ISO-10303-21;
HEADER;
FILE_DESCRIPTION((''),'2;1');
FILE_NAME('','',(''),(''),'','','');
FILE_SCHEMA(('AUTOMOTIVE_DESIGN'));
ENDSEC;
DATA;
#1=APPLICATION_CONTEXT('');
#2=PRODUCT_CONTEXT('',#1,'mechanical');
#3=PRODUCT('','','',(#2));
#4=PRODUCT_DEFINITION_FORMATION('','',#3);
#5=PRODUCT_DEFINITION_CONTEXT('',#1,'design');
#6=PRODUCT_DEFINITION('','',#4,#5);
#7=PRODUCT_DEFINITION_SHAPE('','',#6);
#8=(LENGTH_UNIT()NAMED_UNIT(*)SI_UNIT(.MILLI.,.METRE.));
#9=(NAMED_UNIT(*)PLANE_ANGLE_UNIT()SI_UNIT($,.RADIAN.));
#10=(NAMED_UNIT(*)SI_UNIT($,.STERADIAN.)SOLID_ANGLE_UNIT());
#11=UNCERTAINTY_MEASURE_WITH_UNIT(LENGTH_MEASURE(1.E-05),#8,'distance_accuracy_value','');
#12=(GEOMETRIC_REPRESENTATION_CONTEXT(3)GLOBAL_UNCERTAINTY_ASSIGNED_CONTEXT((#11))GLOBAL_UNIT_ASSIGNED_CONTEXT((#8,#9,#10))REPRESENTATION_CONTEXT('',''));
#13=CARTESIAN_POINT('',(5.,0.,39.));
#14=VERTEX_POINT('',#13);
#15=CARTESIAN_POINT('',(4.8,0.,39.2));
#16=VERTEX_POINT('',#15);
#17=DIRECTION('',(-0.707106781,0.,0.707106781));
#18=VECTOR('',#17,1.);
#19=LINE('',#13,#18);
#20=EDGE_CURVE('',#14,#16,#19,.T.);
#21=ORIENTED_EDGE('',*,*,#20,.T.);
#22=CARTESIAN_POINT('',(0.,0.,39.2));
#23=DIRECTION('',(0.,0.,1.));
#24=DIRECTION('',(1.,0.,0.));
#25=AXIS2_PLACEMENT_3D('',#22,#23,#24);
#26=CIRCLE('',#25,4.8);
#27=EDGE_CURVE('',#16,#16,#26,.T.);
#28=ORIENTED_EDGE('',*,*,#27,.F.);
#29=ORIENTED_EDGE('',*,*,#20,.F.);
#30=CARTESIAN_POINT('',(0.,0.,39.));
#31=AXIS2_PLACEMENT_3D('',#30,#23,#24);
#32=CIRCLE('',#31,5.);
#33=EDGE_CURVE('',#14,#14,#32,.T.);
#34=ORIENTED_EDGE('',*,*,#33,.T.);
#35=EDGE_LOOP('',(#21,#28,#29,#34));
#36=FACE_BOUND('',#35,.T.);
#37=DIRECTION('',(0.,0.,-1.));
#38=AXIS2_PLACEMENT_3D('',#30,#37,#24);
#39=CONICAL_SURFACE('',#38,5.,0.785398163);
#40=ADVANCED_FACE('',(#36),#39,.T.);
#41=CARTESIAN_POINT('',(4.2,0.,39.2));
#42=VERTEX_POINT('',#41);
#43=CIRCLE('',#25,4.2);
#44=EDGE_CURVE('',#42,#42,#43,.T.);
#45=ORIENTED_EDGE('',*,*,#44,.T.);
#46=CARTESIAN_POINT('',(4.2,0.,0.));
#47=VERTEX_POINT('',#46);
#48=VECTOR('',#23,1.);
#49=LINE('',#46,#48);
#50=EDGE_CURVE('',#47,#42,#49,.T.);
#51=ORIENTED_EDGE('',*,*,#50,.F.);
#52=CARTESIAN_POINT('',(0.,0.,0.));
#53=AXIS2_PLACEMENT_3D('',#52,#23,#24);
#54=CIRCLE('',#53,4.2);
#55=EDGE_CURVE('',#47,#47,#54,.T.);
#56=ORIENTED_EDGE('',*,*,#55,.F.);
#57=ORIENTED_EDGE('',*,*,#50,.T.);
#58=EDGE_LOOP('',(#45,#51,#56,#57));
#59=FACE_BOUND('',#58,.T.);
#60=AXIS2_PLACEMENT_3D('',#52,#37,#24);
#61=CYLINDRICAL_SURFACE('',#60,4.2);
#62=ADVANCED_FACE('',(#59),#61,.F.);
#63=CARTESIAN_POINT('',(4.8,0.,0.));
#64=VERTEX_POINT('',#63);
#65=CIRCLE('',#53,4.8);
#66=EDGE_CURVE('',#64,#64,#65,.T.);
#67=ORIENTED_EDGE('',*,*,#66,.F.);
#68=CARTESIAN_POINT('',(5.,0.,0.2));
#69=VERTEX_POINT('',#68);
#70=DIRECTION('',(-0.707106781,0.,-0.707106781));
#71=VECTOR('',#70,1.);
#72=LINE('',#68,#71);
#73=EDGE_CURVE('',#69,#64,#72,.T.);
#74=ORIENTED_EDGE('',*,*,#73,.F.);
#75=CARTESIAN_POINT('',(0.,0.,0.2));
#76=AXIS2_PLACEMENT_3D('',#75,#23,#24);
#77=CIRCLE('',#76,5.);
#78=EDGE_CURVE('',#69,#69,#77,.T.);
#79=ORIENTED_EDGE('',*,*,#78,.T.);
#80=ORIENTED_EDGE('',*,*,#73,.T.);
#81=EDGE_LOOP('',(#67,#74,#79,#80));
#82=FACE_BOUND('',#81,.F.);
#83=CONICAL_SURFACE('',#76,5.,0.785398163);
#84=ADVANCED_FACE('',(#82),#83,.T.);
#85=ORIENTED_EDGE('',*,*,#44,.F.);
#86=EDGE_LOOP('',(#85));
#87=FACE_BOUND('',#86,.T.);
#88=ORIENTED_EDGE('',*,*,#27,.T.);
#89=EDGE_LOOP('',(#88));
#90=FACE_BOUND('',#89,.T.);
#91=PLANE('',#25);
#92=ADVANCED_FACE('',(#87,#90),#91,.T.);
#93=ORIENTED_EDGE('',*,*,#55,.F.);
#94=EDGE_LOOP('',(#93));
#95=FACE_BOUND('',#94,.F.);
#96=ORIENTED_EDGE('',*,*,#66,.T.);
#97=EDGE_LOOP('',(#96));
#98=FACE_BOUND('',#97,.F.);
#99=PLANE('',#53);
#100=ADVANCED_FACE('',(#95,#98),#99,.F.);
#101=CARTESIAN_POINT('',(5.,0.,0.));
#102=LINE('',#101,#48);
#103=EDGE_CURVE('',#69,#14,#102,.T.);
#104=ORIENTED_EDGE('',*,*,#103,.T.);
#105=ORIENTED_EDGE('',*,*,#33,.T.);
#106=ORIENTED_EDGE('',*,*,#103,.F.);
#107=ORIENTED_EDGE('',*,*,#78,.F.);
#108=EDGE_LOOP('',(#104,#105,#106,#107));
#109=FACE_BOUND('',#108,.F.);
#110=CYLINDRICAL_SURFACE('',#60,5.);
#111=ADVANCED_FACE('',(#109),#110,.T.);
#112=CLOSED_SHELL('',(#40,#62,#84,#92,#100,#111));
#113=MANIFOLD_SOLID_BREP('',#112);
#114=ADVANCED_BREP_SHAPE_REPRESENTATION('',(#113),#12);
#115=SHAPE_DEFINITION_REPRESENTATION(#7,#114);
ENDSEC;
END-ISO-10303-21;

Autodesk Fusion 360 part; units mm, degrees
sketch "Esquisse1" plane through (0, 0, 0) normal (0, 0, 1) x (1, 0, 0)
  circle A0 centre (0, 0) radius 5
  circle A1 centre (0, 0) radius 4.2
  dimension "d1" = 10
  dimension "d2" = 8.4
extrude "Extrusion1" add sketch "Esquisse1" along normal blind 39.2
chamfer "Chanfrein1" distance 0.2 angle 45 1 edges at (-4.6616, -1.8081, 39.2)
chamfer "Chanfrein2" distance 0.2 angle 45 1 edges at (-4.6616, -1.8081, 0)
